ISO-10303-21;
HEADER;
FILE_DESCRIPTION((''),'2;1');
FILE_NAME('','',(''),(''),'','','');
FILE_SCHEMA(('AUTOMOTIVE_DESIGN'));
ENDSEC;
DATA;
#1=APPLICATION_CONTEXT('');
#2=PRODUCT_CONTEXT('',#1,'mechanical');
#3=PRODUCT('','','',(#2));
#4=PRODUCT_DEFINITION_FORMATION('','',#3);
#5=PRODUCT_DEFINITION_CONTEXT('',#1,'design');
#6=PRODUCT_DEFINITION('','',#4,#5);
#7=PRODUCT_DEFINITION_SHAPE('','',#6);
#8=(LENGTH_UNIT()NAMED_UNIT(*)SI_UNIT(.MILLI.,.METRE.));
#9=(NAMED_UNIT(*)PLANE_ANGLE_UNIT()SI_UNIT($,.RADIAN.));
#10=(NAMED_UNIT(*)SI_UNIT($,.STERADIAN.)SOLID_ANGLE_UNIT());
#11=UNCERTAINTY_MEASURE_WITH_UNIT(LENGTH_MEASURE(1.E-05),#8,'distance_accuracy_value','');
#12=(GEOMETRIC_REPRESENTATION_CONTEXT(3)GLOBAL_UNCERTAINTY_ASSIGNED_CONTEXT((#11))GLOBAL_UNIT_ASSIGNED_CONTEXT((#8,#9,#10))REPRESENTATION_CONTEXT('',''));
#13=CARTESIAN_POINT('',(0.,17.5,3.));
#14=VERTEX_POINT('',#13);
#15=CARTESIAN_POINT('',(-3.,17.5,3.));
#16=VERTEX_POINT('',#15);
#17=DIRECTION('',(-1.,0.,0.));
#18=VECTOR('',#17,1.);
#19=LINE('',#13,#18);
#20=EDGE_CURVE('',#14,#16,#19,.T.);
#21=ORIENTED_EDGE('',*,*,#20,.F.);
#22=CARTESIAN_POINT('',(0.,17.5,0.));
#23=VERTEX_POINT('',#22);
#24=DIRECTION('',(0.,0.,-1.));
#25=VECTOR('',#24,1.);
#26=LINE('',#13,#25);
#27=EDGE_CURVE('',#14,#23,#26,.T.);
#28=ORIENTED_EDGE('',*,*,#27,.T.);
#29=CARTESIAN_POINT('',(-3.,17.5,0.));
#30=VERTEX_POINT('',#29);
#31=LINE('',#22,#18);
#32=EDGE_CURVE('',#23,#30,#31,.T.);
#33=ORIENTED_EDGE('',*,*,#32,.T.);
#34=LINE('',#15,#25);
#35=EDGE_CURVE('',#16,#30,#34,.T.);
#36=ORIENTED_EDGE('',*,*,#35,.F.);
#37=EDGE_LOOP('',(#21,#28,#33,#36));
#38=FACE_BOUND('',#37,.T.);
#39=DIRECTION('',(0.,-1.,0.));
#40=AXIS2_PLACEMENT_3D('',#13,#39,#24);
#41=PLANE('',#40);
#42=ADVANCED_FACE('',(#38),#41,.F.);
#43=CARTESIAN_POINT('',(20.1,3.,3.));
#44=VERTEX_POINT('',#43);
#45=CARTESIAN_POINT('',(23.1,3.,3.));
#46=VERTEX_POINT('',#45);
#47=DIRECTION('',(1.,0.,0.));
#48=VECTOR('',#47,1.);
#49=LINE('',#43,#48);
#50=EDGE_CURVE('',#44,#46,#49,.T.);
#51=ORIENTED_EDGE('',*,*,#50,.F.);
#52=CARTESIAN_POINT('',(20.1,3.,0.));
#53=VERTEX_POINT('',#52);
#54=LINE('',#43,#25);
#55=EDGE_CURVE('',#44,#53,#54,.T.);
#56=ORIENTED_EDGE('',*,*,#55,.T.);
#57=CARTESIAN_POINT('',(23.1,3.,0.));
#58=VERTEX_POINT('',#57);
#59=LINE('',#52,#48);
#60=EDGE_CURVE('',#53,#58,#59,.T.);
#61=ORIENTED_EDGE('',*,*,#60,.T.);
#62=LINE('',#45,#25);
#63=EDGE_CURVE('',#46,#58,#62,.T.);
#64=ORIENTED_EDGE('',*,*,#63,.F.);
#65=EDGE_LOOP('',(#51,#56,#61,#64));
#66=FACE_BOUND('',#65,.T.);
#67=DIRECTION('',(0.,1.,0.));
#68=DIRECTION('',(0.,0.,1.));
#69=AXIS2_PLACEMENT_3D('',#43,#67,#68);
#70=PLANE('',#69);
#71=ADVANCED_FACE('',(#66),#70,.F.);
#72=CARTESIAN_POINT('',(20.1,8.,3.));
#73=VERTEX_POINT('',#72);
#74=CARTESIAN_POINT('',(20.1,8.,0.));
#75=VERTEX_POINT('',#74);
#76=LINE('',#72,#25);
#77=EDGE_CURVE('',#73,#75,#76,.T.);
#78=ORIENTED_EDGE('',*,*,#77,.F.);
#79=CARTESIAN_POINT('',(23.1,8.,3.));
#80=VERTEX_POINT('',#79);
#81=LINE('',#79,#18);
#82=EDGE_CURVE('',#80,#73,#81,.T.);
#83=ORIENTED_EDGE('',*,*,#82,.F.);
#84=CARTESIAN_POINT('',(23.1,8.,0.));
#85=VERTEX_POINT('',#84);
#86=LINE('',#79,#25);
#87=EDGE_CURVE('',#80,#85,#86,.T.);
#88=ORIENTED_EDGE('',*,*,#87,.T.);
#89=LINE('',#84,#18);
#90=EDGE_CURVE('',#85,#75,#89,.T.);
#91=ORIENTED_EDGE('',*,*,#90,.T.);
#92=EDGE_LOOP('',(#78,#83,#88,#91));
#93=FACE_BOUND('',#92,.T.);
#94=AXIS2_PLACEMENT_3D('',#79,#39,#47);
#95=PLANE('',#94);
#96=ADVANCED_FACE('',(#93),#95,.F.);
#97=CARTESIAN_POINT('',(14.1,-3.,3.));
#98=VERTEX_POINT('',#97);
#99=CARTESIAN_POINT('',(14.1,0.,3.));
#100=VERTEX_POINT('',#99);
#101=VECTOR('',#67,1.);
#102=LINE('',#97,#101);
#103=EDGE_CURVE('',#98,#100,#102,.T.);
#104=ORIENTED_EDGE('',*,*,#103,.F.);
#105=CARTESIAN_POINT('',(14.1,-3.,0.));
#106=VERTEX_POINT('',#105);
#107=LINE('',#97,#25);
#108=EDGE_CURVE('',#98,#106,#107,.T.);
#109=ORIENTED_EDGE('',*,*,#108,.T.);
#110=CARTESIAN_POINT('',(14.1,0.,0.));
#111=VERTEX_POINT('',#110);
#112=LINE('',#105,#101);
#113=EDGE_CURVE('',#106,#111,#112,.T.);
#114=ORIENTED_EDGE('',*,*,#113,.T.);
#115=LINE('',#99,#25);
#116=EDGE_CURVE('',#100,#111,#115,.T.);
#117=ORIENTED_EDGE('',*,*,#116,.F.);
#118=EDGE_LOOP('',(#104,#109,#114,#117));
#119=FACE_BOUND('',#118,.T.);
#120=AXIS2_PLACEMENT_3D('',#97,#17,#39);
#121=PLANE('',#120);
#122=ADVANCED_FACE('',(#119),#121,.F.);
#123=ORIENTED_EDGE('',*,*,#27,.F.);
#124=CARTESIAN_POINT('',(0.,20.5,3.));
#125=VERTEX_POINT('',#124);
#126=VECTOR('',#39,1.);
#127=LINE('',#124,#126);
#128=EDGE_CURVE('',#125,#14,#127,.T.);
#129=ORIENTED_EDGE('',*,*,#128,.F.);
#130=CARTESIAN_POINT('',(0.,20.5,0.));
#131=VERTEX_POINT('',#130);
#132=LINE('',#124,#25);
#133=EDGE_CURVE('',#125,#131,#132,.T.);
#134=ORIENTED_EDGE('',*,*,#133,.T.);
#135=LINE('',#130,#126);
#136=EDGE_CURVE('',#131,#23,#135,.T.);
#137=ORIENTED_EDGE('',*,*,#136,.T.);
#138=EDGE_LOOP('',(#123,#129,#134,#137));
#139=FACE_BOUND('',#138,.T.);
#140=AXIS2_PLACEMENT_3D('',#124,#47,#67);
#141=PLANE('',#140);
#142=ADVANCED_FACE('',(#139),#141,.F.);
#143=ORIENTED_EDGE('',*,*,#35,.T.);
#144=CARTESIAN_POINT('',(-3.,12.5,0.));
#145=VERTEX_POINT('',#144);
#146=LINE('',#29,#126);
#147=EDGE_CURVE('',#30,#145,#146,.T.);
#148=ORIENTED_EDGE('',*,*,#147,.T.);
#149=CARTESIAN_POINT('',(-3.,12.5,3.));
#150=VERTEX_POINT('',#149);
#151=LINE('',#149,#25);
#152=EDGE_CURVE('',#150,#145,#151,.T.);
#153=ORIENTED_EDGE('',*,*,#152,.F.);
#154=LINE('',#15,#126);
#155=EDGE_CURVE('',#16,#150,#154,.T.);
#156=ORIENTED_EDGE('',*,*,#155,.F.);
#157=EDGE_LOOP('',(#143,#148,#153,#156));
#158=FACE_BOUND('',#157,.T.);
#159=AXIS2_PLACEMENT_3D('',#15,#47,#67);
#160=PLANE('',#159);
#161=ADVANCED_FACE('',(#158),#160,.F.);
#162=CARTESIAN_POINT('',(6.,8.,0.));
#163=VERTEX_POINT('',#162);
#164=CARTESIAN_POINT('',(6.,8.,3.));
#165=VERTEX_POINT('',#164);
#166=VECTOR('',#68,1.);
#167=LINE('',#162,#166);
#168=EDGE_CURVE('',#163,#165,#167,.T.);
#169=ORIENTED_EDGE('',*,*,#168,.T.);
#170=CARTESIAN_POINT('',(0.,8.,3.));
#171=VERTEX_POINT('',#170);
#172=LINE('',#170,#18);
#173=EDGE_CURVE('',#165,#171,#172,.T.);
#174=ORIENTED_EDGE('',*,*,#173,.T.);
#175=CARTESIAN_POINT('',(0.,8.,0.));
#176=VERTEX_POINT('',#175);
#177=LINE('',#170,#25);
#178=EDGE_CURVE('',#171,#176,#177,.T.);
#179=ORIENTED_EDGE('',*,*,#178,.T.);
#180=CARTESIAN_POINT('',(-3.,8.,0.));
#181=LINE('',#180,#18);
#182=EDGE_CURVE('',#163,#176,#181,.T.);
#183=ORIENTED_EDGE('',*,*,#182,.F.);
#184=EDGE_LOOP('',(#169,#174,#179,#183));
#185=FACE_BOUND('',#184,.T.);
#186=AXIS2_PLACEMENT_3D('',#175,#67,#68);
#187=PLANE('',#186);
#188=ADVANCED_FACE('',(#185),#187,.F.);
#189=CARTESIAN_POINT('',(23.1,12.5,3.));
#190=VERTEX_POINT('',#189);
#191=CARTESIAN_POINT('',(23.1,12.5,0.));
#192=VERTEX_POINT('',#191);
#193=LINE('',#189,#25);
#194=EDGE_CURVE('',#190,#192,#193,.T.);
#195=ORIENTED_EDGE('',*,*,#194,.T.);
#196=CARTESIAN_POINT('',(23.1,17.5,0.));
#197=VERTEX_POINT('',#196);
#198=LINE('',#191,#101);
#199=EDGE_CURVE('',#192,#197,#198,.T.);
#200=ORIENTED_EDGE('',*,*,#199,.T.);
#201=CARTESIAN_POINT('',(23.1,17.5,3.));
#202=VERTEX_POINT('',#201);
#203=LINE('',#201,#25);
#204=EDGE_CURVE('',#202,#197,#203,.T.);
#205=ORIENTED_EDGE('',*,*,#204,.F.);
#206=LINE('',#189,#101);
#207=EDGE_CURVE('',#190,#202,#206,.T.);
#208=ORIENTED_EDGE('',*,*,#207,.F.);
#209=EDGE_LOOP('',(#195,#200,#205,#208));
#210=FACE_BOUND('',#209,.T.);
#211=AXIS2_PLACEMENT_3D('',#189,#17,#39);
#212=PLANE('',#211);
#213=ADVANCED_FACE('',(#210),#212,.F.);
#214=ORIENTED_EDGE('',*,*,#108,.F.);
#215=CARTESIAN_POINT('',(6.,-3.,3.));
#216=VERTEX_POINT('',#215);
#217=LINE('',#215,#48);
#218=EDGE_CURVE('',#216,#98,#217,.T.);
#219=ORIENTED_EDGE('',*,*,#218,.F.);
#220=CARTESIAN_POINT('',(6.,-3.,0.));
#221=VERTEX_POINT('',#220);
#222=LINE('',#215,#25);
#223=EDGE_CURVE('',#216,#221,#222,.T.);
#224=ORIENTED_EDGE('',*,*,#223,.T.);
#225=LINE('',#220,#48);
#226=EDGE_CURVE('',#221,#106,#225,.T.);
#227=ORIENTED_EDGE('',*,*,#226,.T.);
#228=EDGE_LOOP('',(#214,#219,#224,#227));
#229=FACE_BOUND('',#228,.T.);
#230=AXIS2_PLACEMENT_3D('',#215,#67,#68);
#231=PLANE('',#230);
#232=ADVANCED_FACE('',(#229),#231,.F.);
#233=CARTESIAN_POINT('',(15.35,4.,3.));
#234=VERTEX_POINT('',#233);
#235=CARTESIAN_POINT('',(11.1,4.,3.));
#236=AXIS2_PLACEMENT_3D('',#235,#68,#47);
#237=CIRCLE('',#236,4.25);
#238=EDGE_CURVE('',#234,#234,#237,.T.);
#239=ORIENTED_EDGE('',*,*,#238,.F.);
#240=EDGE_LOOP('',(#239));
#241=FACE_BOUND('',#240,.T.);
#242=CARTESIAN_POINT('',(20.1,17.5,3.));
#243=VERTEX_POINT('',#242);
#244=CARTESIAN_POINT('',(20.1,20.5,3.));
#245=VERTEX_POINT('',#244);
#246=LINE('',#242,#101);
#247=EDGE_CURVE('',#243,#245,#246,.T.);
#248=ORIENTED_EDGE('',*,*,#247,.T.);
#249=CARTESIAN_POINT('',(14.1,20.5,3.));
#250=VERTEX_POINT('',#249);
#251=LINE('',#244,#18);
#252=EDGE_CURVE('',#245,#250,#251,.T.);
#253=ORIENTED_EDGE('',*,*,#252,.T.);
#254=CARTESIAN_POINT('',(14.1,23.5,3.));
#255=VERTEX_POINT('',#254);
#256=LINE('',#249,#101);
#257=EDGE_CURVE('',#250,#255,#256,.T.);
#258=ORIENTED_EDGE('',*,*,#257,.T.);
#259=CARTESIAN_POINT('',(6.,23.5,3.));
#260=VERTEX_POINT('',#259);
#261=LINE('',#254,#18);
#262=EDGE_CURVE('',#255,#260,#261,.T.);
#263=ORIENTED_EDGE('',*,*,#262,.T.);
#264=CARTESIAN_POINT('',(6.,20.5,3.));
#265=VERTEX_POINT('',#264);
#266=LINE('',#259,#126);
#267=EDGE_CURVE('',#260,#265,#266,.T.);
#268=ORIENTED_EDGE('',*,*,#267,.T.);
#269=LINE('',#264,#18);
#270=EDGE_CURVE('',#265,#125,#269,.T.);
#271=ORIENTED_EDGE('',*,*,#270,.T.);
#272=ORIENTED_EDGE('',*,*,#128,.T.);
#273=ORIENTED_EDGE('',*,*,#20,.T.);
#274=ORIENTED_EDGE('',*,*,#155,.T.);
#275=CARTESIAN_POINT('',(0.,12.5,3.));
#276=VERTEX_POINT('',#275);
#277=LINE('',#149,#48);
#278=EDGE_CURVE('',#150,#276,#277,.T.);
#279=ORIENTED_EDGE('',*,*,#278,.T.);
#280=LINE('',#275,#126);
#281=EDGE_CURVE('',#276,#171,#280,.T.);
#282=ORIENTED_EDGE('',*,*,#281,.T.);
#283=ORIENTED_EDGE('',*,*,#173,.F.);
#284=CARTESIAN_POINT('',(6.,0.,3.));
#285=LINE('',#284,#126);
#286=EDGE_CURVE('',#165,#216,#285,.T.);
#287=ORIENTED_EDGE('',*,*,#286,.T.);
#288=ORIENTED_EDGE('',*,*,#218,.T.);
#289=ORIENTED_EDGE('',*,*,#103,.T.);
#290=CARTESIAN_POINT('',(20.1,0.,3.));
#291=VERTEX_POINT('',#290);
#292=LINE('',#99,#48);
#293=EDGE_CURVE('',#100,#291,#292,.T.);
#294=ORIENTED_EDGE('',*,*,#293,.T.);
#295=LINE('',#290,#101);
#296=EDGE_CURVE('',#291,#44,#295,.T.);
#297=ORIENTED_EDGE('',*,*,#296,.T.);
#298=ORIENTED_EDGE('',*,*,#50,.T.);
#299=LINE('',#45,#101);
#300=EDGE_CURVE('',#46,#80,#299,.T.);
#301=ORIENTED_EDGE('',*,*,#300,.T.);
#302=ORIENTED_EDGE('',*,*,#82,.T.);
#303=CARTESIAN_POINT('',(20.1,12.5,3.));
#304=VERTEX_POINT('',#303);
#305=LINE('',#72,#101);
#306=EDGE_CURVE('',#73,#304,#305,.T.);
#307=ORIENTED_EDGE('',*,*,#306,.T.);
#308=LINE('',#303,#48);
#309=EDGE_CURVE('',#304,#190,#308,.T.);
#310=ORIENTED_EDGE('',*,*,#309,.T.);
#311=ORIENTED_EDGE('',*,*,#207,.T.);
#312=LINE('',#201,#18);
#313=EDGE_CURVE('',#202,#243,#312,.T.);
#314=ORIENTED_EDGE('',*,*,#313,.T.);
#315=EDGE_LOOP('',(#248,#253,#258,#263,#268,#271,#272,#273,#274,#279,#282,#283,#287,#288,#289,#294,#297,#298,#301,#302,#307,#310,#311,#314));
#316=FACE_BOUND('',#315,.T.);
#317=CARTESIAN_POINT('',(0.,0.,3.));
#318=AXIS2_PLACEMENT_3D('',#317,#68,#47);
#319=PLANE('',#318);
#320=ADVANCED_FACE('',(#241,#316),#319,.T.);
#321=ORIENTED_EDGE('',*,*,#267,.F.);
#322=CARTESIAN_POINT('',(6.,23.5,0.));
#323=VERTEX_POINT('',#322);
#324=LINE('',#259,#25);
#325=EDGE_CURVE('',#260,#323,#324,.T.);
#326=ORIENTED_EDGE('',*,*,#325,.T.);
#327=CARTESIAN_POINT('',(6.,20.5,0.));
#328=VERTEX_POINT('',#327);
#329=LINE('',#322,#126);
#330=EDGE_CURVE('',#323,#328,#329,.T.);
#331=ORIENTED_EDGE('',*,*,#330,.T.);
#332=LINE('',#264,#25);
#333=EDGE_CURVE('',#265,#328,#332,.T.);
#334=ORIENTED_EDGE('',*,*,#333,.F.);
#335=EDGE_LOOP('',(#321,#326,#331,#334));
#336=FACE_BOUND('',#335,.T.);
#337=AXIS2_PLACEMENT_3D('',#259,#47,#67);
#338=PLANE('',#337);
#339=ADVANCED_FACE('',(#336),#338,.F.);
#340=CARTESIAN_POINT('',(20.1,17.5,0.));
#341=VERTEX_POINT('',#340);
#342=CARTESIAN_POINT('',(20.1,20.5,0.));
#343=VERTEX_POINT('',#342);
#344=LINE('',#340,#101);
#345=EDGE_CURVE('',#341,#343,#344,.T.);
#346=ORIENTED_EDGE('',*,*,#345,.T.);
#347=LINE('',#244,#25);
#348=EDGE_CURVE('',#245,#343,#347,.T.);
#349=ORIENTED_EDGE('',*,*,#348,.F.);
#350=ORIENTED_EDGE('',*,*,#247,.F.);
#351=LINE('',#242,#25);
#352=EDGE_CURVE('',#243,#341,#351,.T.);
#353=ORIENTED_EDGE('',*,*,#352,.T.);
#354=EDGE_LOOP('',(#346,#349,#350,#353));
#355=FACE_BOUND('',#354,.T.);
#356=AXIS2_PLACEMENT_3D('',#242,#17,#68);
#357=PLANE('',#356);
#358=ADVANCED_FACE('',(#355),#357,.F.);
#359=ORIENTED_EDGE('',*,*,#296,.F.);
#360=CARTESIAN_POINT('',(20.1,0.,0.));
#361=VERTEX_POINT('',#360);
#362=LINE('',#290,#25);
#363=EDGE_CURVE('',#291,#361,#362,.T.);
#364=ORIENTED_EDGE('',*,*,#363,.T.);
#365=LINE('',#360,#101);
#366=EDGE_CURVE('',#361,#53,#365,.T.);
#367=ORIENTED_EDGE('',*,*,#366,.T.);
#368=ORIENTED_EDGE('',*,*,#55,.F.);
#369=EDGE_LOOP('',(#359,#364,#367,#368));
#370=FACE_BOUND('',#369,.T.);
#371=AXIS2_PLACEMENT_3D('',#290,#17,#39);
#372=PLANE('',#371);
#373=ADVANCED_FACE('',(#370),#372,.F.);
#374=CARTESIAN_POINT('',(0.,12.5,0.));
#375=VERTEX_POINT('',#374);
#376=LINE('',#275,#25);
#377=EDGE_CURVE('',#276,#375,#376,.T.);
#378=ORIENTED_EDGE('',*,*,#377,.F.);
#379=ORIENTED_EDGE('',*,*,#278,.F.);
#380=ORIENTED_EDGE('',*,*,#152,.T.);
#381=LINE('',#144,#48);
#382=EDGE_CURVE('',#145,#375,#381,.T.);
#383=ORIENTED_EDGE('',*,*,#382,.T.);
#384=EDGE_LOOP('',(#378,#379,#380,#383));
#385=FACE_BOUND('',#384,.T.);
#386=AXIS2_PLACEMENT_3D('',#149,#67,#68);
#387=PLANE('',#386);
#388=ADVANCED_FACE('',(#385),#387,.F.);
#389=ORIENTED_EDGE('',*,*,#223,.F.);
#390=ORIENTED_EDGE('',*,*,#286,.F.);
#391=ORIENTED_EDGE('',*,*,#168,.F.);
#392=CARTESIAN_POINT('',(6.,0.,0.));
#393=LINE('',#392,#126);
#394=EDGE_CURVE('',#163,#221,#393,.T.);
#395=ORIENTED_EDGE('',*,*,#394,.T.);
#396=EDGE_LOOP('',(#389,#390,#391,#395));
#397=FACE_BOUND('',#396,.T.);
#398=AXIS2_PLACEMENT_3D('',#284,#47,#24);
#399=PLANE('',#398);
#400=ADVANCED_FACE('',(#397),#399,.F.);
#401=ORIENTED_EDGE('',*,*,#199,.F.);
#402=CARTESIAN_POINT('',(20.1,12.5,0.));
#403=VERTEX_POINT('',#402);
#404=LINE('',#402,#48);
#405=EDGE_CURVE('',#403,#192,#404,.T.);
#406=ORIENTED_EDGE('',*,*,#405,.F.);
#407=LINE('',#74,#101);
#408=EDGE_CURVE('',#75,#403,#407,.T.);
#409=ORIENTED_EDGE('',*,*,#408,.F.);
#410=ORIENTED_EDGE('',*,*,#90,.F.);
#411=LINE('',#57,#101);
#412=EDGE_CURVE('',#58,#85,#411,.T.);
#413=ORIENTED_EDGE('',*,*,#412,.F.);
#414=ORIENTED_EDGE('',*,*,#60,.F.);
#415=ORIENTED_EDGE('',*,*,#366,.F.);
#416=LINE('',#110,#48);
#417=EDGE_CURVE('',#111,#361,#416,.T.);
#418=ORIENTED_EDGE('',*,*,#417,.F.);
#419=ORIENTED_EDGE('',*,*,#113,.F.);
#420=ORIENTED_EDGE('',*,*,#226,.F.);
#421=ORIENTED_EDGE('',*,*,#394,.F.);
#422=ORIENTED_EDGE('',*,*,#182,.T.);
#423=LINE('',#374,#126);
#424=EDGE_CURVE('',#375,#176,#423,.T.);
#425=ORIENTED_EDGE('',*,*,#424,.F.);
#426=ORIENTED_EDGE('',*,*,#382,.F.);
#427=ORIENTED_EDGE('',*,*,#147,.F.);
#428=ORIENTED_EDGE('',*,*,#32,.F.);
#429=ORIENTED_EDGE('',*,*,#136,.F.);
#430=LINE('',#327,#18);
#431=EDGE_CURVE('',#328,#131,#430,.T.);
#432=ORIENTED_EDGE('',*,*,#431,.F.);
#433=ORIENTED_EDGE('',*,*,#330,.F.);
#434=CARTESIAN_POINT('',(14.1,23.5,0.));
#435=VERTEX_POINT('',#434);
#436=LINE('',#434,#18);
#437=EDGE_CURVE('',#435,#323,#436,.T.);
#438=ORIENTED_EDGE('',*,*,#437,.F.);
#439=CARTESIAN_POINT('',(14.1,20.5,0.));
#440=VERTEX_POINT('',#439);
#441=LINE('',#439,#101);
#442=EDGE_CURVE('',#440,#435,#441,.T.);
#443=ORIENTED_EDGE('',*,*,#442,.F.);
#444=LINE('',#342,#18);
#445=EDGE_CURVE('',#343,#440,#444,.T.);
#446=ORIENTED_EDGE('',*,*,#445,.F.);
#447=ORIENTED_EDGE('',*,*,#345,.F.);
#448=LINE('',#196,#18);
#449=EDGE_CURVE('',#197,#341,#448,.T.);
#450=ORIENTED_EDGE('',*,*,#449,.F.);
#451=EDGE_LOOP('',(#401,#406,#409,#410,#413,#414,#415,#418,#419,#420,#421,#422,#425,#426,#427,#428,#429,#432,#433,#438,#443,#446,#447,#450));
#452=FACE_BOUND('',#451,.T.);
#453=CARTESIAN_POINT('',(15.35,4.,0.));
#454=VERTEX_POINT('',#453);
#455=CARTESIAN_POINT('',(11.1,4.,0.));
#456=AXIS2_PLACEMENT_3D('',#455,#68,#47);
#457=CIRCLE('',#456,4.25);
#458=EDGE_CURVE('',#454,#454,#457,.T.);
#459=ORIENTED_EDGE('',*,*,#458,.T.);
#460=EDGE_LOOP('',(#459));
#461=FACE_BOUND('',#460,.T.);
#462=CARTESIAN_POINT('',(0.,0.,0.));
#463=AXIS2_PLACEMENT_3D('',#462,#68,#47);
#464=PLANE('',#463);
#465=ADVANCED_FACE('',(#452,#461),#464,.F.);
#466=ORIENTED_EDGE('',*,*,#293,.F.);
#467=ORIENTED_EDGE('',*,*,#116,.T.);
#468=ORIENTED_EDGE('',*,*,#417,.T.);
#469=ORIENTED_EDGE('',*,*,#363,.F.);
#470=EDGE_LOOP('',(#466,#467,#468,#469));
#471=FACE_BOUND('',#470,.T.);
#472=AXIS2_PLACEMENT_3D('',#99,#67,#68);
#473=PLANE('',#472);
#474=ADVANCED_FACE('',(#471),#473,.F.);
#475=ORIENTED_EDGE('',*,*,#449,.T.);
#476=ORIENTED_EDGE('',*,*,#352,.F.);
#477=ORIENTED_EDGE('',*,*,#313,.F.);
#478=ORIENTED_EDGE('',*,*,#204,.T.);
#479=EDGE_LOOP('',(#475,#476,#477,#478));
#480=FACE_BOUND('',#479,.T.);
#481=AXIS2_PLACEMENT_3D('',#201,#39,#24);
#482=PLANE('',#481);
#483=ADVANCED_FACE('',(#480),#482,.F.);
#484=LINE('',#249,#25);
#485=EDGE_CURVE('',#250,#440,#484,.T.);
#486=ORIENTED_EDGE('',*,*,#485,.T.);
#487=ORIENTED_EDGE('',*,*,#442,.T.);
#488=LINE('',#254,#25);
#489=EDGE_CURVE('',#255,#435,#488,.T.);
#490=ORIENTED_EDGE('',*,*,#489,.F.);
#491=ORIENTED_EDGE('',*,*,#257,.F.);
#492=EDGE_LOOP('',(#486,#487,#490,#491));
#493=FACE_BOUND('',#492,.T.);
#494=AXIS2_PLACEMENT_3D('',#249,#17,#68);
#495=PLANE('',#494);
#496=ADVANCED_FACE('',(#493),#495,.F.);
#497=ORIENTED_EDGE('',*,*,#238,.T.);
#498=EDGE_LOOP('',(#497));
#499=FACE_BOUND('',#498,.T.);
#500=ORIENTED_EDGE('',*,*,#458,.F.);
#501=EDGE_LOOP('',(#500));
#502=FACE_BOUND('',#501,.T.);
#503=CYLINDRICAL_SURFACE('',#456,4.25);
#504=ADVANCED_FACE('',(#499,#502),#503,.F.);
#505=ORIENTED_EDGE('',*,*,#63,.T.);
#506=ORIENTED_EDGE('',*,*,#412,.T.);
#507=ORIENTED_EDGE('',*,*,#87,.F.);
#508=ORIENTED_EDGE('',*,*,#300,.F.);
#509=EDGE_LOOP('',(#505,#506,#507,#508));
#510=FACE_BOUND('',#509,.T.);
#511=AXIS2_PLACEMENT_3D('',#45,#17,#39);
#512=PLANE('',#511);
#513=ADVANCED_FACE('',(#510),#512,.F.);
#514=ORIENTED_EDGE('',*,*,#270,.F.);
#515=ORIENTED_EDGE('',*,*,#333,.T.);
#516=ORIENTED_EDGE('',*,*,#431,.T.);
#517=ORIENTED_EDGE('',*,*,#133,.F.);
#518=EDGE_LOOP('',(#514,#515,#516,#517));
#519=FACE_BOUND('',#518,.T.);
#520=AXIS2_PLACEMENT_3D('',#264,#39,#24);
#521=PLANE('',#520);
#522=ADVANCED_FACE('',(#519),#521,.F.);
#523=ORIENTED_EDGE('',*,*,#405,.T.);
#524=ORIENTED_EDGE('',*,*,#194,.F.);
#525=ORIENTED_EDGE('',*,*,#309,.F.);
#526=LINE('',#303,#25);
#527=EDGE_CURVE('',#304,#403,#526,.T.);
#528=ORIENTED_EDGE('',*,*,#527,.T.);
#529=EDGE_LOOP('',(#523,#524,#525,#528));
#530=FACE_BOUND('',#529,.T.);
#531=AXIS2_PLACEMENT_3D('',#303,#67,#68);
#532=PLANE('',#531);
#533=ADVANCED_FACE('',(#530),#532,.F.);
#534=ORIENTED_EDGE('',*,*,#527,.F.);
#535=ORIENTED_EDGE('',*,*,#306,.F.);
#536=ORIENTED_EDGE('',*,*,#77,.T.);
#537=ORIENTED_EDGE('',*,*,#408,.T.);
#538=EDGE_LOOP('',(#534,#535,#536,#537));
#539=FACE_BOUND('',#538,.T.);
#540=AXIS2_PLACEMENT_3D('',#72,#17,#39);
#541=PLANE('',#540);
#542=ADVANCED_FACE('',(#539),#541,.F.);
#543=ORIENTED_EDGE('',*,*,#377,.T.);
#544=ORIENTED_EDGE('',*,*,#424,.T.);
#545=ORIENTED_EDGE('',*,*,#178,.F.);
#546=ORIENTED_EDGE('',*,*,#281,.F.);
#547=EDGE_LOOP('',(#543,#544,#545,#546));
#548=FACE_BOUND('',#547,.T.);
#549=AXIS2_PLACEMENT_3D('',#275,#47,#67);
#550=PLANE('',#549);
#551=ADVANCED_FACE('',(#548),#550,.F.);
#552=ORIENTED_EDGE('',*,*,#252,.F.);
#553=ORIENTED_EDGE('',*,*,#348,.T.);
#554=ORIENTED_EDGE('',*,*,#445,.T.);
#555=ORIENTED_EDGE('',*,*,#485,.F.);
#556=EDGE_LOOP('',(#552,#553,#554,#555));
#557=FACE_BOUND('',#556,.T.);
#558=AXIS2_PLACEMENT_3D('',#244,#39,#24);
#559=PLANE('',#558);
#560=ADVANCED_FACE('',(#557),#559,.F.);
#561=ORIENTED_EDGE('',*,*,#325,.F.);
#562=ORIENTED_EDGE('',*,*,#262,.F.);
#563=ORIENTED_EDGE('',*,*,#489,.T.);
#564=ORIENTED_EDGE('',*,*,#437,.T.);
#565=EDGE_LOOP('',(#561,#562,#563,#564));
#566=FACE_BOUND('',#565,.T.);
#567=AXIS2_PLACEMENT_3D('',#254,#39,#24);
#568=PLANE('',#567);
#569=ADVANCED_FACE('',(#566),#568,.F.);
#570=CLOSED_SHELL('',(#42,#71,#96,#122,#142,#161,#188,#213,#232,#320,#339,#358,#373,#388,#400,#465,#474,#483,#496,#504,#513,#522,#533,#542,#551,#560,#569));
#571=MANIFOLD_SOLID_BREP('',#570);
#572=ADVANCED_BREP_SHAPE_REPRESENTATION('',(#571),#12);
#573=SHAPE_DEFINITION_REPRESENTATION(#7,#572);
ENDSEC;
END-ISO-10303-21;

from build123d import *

# Parameters (mm, degrees)
BASE_DEPTH            = 3
ESBO_O1_R             = 4.25
PASSAGEMLEDELDR_DEPTH = 3


with BuildPart() as part:
    # BaseEsboco → Base (new body)
    with BuildSketch(Plane.XY):
        Polygon((0, 0), (6, 0), (6, -3), (14.1, -3), (14.1, 0), (20.1, 0), (20.1, 3), (23.1, 3), (23.1, 8), (20.1, 8), (20.1, 12.5), (23.1, 12.5), (23.1, 17.5), (20.1, 17.5), (20.1, 20.5), (14.1, 20.5), (14.1, 23.5), (6, 23.5), (6, 20.5), (0, 20.5), (0, 17.5), (-3, 17.5), (-3, 12.5), (0, 12.5), (0, 8), (-3, 8), (-3, 3), (0, 3), align=None)
    extrude(amount=BASE_DEPTH)

    # Esboço1 → PassagemLEDeLDR (cut)
    with BuildSketch(Plane.XY.offset(3)):
        with Locations((11.1, 4)):
            Circle(ESBO_O1_R)
        Polygon((0, 8), (6, 8), (6, 0), (0, 0), (0, 3), (-3, 3), (-3, 8), align=None)
    extrude(amount=-PASSAGEMLEDELDR_DEPTH, mode=Mode.SUBTRACT)


solid = part.part
